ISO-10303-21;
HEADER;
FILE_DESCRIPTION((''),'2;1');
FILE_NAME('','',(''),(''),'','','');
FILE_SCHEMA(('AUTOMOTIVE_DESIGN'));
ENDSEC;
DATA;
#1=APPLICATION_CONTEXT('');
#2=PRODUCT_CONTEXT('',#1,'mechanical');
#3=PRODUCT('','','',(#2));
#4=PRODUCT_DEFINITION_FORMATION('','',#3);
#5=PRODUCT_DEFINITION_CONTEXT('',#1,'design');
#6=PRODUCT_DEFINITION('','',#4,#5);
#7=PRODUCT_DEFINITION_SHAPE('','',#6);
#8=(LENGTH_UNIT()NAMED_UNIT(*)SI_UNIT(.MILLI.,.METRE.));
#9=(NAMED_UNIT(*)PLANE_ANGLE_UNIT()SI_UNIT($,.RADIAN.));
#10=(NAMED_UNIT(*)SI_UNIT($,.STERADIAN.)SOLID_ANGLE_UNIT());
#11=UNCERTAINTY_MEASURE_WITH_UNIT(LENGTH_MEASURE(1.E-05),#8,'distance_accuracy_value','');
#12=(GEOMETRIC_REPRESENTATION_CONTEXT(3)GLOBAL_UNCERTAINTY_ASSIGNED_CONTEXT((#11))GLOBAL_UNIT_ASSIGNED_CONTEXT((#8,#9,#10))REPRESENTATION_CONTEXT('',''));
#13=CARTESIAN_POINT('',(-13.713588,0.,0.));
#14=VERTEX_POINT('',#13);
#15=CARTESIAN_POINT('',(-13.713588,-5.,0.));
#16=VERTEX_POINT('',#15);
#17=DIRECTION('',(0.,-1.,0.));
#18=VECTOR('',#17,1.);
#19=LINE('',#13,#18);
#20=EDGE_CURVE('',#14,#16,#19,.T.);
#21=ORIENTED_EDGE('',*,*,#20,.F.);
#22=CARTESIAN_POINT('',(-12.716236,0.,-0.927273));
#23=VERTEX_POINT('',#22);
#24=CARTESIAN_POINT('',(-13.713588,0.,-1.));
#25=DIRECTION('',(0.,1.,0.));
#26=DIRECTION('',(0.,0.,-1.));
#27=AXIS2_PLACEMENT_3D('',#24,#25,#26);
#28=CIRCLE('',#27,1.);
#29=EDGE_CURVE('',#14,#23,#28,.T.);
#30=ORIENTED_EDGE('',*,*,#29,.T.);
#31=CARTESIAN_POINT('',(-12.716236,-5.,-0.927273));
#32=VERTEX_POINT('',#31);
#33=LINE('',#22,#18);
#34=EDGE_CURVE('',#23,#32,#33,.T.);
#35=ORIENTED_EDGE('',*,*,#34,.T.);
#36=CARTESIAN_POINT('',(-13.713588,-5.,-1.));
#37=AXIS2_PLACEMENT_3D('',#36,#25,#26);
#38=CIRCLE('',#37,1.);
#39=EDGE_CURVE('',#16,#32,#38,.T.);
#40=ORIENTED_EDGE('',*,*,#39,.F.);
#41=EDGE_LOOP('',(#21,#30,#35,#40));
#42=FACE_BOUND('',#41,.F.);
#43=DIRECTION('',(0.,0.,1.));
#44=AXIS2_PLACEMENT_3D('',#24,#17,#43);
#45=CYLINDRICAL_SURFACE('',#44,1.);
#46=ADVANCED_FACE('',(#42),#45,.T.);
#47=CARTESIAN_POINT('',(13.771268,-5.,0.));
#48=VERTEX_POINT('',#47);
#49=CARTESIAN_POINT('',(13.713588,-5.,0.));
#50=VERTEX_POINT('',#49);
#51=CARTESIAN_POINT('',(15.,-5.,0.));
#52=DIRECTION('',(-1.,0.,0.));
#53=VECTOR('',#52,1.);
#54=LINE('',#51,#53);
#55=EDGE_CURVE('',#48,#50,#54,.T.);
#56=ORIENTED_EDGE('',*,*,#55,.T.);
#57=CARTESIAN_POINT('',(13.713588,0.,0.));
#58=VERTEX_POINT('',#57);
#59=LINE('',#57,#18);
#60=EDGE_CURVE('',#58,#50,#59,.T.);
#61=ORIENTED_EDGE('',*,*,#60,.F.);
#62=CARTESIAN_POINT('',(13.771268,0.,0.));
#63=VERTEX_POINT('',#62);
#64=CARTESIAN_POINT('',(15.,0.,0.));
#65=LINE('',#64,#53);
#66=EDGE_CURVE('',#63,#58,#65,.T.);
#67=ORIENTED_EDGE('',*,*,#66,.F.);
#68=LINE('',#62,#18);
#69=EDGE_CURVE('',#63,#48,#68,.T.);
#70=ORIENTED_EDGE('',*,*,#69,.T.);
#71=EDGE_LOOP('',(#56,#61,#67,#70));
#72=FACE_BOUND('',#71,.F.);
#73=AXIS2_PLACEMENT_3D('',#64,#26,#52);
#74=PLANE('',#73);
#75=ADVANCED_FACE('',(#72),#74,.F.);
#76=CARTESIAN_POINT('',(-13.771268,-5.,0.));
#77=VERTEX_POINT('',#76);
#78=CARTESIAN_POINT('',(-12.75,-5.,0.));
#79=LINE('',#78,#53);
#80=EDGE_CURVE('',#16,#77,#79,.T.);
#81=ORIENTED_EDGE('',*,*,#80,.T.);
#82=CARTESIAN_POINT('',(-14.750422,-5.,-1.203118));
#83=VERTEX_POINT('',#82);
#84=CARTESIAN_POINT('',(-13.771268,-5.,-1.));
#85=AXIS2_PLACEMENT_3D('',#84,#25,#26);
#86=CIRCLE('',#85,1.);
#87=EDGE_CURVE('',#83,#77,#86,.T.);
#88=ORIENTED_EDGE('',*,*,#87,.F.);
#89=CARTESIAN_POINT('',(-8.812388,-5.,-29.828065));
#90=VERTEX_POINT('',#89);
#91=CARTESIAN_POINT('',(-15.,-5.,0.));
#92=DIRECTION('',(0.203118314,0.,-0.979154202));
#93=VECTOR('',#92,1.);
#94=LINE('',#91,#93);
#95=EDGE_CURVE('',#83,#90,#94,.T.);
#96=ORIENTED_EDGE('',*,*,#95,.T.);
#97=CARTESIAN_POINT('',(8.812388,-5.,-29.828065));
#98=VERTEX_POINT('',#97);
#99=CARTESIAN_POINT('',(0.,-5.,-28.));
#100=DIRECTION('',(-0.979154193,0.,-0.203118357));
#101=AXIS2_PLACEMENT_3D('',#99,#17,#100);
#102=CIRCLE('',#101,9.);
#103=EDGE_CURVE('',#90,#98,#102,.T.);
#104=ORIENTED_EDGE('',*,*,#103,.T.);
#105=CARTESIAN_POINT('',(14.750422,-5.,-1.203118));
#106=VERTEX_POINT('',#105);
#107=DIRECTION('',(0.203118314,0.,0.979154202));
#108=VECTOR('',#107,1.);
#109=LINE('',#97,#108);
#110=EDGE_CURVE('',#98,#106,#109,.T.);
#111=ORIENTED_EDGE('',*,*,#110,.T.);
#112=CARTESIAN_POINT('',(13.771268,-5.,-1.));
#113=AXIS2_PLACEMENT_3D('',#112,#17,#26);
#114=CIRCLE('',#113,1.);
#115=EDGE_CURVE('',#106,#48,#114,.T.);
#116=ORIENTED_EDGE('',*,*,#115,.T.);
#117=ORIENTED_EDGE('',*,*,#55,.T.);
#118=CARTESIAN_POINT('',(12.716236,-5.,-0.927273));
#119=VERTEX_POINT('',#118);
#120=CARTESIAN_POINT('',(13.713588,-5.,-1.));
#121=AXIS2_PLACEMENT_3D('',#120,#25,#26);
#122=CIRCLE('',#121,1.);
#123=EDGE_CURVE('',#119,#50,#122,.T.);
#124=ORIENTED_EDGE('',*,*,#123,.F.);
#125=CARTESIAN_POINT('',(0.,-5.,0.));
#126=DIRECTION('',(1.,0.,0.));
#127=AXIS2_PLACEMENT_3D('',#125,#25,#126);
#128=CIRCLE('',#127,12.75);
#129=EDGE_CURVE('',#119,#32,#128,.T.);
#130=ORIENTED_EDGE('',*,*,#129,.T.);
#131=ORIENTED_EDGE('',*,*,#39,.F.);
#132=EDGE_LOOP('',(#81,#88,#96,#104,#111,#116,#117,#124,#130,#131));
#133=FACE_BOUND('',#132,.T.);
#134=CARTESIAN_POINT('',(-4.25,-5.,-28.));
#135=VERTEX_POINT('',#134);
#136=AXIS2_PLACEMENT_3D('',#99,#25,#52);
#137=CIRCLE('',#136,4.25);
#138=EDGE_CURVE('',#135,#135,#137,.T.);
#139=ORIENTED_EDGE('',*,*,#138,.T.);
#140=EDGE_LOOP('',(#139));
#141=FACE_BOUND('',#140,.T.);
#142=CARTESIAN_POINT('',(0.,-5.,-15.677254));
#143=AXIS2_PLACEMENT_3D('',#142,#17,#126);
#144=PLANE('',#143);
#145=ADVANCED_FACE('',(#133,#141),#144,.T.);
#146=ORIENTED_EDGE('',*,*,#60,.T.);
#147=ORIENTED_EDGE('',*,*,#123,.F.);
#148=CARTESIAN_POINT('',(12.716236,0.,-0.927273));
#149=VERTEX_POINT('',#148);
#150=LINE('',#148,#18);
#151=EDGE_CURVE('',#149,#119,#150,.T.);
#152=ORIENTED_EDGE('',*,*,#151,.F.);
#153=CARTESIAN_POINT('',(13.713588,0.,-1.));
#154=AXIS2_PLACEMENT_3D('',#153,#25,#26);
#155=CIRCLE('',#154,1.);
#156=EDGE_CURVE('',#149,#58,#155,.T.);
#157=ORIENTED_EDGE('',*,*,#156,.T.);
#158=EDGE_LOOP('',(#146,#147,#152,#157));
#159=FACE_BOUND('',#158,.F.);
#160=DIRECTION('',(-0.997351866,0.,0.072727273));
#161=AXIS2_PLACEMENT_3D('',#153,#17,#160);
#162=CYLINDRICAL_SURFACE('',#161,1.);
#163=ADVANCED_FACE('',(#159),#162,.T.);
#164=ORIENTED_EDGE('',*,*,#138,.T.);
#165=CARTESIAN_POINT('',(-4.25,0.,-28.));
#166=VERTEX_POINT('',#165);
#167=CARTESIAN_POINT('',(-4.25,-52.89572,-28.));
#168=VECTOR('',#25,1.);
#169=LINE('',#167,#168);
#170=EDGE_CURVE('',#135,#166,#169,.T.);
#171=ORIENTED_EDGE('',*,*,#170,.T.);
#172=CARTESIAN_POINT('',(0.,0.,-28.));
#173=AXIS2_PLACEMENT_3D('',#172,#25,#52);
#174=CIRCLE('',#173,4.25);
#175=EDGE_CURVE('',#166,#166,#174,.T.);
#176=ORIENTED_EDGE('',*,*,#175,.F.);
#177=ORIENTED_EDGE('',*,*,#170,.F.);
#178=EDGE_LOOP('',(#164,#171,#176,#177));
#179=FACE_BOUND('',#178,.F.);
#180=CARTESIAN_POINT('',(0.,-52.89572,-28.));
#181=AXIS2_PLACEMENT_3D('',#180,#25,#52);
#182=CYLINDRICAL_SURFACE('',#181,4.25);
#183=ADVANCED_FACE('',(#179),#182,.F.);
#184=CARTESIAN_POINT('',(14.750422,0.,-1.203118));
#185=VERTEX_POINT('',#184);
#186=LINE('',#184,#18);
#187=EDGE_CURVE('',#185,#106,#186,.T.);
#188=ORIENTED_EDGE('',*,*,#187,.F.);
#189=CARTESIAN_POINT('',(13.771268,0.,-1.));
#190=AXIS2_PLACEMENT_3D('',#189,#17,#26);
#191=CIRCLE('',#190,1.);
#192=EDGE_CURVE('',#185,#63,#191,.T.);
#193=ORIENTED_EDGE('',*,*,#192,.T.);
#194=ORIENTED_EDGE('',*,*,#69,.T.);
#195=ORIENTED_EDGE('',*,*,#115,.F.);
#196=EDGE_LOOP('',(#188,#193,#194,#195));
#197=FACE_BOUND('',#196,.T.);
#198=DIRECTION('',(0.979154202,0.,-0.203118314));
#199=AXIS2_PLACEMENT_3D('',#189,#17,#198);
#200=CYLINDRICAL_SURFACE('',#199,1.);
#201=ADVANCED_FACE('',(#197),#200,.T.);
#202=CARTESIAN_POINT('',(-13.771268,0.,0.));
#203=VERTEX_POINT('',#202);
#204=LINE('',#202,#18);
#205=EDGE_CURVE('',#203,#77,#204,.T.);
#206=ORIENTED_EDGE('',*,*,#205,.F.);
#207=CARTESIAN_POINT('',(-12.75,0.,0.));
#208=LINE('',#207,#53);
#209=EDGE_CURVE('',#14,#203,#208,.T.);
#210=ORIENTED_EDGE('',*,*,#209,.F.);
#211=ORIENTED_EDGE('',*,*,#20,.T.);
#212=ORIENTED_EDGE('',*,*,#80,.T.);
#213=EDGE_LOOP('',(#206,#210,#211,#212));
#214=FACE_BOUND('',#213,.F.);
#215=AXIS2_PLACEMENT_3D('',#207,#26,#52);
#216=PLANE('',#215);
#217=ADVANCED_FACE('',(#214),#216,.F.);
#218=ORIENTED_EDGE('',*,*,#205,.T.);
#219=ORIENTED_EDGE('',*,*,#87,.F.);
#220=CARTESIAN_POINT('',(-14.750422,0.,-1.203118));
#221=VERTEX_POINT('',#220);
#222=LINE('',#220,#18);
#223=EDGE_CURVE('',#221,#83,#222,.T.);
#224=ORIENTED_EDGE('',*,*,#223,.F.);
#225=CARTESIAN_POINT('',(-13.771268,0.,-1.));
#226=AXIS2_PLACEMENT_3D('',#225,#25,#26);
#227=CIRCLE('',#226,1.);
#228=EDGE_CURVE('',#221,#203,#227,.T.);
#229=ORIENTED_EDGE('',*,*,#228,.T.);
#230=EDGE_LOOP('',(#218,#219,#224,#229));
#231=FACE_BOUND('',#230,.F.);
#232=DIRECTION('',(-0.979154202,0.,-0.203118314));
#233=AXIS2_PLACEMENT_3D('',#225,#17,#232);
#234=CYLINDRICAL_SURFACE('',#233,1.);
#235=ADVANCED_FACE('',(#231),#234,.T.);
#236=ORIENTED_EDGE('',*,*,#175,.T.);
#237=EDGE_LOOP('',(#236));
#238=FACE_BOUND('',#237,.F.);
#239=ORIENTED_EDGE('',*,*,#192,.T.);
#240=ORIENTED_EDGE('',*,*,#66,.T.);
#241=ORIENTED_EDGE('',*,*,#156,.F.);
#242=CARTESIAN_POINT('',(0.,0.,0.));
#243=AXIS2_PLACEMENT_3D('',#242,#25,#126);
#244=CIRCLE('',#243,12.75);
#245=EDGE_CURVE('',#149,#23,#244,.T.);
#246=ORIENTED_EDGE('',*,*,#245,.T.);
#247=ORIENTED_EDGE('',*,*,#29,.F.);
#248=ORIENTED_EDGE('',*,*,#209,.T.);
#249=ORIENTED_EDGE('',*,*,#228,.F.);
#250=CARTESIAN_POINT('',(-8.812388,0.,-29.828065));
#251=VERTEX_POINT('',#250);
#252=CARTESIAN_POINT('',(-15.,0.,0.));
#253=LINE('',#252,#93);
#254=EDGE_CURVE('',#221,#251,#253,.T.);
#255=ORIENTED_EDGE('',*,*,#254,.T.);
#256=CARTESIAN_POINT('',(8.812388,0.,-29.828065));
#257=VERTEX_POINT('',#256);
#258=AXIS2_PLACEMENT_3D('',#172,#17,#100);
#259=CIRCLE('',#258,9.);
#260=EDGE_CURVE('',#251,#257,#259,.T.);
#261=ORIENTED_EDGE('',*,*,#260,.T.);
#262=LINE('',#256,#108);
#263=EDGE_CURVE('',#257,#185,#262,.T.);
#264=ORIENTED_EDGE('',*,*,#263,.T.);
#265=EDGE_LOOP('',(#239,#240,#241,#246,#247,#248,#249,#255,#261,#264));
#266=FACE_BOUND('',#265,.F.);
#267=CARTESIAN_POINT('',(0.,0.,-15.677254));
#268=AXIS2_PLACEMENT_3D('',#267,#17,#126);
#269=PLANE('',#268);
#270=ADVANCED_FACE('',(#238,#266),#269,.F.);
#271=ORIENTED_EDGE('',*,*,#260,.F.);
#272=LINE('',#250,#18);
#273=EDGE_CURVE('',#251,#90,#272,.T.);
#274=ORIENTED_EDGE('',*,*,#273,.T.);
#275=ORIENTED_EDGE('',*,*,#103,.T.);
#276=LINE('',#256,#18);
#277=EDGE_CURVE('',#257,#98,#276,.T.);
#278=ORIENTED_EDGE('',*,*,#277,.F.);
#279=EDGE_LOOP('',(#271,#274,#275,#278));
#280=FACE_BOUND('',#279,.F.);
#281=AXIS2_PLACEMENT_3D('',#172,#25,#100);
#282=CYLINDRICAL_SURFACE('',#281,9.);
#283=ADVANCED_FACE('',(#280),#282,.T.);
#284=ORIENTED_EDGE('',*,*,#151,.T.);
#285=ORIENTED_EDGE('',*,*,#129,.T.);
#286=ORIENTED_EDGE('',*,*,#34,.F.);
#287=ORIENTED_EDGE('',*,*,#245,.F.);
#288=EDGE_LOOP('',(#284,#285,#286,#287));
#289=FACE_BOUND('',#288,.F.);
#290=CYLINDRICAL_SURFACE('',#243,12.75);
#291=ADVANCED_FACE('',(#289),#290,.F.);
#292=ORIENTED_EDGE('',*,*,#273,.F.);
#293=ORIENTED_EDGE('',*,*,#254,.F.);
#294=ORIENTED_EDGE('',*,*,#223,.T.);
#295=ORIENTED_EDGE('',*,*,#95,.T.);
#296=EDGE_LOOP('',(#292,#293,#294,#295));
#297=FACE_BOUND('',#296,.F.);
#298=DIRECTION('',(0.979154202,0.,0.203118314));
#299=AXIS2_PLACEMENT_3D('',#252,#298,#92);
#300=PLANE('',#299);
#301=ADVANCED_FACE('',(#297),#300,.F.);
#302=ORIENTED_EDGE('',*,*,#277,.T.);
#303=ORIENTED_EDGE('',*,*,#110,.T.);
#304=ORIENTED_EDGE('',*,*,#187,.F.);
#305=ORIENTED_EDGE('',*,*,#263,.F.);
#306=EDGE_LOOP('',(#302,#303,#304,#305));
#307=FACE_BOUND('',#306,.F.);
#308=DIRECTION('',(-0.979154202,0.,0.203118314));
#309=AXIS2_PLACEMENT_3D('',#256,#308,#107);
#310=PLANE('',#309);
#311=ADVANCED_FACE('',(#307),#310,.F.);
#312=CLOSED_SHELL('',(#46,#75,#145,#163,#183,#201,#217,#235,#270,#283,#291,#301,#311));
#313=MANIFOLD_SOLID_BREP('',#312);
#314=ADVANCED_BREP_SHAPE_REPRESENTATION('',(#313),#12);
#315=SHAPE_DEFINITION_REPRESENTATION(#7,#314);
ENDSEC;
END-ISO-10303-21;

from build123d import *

# Parameters (mm, degrees)
F1_DEPTH = 5
F3_D     = 8.5
F4_R     = 1


with BuildPart() as f1:
    # F0 (on Front) → F1 (new body)
    with BuildSketch(Plane.XZ):
        with BuildLine():
            Line((-15, 0), (-8.812388, -29.828065))
            ThreePointArc((-8.812388, -29.828065), (0, -37), (8.812388, -29.828065))
            Line((8.812388, -29.828065), (15, 0))
            Line((15, 0), (12.75, 0))
            ThreePointArc((12.75, 0), (0, -12.75), (-12.75, 0))
            Line((-12.75, 0), (-15, 0))
        make_face()
    extrude(amount=F1_DEPTH)

    # F3 (through all)
    with Locations(Plane.XZ.offset(5)):
        with Locations((0, -28)):
            Hole(F3_D / 2)

    # F4
    f4_edges = [f1.edges().sort_by_distance(p)[0] for p in [
        (15, -2.5, 0),
        (-15, -2.5, 0),
        (-12.75, -2.5, 0),
        (12.75, -2.5, 0),
    ]]
    fillet(f4_edges, radius=F4_R)


solid = f1.part
